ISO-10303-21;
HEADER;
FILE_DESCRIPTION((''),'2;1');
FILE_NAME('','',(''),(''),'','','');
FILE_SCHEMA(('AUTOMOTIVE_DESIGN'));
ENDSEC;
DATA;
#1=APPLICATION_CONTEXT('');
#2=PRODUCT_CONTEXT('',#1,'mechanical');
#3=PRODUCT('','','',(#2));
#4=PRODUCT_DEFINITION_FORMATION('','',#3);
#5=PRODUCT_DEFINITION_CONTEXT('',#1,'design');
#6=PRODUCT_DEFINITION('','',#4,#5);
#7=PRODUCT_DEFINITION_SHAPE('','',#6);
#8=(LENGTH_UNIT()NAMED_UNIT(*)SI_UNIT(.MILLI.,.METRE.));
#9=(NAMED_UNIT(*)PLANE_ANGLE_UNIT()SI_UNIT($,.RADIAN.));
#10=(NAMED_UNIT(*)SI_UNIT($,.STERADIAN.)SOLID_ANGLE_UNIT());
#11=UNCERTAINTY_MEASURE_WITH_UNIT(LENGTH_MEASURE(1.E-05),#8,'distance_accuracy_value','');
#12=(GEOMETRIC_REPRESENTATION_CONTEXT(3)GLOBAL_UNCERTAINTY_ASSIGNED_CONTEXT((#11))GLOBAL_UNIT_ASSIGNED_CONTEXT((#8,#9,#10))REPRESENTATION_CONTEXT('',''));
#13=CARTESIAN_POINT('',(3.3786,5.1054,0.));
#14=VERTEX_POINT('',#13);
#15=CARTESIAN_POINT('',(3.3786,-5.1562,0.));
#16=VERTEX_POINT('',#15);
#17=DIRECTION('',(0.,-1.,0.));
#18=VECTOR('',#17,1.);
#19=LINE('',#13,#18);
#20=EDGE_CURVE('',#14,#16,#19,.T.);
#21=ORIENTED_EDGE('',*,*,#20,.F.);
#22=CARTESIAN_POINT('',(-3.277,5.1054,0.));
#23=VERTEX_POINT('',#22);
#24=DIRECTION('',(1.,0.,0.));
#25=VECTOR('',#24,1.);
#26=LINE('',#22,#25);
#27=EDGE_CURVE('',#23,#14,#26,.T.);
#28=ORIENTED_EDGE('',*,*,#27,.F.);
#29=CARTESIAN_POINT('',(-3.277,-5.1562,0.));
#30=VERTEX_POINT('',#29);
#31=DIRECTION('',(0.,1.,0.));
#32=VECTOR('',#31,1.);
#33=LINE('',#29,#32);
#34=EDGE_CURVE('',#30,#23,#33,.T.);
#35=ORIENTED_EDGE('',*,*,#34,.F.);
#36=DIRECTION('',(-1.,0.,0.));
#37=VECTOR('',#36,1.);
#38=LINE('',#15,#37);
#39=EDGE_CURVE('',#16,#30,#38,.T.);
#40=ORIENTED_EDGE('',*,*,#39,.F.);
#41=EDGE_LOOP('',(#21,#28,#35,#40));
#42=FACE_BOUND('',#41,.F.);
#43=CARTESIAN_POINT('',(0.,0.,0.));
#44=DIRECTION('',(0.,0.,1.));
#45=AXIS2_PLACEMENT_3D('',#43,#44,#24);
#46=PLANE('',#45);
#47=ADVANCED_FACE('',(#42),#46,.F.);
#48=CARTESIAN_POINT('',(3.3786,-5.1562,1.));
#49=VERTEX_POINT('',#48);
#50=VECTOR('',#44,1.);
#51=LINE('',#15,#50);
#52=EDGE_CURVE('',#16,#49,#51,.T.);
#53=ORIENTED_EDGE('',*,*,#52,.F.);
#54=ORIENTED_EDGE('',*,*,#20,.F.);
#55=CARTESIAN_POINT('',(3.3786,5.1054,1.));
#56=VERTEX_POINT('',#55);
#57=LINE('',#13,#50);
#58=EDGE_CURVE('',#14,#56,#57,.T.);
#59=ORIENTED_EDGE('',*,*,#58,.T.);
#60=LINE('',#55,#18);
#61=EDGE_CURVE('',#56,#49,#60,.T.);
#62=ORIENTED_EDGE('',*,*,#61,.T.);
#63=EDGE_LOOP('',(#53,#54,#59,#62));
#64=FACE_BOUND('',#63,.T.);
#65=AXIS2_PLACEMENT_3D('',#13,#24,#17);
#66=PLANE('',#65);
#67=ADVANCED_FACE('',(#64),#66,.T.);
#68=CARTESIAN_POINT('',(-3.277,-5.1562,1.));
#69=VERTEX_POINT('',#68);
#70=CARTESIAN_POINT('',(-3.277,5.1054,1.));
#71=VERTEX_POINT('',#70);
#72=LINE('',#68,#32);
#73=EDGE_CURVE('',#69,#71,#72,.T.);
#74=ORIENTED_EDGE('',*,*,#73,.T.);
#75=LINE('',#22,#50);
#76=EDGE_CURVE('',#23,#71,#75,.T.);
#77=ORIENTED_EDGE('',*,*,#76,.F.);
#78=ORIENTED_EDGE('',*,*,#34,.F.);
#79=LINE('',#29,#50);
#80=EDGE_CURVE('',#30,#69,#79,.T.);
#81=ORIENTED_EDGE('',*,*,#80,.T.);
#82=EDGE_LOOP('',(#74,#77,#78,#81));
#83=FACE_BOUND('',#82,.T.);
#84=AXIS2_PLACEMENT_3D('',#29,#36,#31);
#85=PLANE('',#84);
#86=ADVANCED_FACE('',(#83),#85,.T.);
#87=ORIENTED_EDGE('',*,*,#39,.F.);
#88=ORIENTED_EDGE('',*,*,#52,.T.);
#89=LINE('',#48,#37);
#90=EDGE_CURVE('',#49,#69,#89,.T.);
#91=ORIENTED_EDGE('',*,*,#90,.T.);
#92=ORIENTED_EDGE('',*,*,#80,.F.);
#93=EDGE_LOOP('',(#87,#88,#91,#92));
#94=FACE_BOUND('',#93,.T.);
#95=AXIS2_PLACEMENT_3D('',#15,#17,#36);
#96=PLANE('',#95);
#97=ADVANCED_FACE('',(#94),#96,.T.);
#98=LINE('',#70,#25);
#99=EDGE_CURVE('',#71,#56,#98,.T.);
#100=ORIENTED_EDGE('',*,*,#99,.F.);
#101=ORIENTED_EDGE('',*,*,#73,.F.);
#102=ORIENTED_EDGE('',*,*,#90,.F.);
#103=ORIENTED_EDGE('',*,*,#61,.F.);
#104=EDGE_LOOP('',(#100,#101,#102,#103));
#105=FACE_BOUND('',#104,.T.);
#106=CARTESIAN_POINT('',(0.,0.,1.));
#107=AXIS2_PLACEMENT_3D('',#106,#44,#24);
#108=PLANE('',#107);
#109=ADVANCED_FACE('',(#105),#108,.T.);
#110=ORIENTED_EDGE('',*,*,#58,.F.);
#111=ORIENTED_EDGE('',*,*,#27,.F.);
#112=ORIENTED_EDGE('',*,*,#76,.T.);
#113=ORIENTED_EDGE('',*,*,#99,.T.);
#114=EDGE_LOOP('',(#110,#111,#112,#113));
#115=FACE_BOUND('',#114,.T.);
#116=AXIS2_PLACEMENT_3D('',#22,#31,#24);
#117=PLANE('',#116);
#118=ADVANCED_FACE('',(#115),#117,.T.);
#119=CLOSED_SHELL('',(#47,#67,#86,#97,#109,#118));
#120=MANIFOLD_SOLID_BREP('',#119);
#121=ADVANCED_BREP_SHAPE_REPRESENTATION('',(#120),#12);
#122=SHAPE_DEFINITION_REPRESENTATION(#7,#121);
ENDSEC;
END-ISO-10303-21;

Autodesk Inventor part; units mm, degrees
ref_plane "YZ Plane" through (0, 0, 0) normal (1, 0, 0) x (0, 1, 0)
ref_plane "XZ Plane" through (0, 0, 0) normal (0, 1, 0) x (-1, 0, 0)
ref_plane "XY Plane" through (0, 0, 0) normal (0, 0, 1) x (1, 0, 0)
sketch "TO252, 7805DT_22" plane through (0, 0, 0) normal (0, 0, 1) x (1, 0, 0)
  line L0 (-3.277, 5.1054) -> (3.3786, 5.1054)
  line L1 (3.3786, 5.1054) -> (3.3786, -5.1562)
  line L2 (3.3786, -5.1562) -> (-3.277, -5.1562)
  line L3 (-3.277, -5.1562) -> (-3.277, 5.1054)
extrude "Extrusion1" add sketch "TO252, 7805DT_22" along normal blind 1
properties part number "7805DT"
